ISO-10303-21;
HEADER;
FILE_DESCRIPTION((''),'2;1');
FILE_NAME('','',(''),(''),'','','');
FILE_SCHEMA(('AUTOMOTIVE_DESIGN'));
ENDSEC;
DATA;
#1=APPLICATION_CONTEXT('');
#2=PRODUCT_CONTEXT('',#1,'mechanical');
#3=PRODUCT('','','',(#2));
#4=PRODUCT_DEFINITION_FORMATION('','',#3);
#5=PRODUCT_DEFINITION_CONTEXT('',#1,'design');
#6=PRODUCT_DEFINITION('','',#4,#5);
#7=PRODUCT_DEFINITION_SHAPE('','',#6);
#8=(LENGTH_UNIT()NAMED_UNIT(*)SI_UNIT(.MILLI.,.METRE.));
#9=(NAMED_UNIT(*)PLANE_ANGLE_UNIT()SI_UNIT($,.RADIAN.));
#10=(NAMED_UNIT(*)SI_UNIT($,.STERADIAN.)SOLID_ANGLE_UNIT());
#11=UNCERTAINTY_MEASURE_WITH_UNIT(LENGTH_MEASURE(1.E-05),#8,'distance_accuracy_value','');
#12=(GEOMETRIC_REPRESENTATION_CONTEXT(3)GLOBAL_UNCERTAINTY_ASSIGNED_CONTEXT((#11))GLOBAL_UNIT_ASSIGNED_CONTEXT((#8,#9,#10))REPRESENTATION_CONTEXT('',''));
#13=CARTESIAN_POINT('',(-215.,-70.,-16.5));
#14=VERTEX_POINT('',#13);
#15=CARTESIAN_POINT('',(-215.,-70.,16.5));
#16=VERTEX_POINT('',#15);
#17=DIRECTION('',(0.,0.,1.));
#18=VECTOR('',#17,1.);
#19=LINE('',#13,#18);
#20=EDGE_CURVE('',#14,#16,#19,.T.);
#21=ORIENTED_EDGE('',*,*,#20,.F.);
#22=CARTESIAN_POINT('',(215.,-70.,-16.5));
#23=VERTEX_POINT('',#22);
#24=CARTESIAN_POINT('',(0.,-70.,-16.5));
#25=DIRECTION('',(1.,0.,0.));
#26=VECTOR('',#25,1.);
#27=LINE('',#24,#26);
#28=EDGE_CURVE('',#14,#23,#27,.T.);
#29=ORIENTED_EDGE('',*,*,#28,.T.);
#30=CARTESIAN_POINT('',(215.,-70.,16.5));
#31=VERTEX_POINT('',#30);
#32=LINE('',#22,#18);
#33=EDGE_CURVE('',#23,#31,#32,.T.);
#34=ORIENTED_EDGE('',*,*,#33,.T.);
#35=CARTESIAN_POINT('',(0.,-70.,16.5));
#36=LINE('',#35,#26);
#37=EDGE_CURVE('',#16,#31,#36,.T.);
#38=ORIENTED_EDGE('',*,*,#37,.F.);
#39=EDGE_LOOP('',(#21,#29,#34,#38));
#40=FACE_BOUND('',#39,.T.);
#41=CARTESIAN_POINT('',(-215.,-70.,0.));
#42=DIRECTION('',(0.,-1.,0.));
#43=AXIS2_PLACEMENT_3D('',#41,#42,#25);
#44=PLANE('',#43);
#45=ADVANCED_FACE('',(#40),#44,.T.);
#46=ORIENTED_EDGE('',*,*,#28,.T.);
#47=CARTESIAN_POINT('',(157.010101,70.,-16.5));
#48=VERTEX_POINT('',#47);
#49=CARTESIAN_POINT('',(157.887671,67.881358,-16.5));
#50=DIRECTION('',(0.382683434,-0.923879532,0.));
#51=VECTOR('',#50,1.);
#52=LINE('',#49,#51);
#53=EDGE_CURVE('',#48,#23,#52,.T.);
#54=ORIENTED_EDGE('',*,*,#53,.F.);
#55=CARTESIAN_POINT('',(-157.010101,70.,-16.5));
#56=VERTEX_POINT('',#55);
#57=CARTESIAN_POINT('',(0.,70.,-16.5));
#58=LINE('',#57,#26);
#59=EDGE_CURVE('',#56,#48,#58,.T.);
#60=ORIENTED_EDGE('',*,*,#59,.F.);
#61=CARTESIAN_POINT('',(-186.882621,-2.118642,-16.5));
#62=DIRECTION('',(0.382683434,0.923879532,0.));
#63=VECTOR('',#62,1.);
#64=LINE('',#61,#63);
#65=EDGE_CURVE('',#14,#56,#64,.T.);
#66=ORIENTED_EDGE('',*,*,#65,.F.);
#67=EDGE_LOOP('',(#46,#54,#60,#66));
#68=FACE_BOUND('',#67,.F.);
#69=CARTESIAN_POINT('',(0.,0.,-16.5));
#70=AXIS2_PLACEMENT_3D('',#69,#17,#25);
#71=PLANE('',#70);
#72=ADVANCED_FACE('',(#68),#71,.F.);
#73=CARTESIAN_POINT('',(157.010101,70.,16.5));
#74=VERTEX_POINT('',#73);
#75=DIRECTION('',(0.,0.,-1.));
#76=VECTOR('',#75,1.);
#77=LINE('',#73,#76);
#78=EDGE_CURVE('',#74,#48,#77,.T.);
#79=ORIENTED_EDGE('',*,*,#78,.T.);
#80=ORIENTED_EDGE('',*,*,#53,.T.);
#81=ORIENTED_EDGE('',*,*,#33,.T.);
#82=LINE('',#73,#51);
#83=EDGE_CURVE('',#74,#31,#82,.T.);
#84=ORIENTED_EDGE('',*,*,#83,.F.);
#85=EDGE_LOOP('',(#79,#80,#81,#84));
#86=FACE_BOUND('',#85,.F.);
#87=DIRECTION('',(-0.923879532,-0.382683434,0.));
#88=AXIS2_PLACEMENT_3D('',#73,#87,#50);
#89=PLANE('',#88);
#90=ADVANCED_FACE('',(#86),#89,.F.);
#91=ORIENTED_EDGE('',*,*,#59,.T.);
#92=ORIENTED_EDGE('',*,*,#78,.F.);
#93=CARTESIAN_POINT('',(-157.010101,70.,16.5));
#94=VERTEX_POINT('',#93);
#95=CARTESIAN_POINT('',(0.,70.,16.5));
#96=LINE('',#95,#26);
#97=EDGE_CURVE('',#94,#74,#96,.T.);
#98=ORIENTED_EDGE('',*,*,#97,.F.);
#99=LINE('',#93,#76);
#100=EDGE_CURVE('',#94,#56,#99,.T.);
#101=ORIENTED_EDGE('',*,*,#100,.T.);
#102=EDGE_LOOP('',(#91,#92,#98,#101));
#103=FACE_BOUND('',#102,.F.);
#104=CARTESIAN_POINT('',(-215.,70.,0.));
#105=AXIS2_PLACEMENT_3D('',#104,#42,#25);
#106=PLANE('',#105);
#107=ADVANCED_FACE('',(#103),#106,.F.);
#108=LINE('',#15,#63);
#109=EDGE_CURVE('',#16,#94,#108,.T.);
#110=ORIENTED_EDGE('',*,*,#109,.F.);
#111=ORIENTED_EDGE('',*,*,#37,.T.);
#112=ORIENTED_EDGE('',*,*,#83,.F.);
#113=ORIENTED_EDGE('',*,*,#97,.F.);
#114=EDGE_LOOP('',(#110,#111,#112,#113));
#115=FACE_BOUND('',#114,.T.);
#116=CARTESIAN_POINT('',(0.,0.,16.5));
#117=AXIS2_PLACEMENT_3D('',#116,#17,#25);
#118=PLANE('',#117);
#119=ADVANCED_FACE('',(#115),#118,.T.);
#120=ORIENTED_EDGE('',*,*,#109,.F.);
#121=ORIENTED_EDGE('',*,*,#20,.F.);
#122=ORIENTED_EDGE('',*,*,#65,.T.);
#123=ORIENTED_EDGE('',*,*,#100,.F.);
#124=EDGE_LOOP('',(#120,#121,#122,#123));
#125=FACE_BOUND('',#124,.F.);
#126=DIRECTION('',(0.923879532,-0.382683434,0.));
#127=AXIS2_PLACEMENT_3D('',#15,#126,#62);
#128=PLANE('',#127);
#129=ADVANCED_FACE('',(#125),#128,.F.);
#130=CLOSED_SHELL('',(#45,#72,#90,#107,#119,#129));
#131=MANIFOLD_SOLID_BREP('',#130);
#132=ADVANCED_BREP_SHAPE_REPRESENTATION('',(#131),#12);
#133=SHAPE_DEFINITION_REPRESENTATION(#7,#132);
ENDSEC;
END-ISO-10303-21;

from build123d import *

# Parameters (mm, degrees)
F0_W     = 430
F0_H     = 140
F1_DEPTH = 16.5
F3_DEPTH = 33.001


with BuildPart() as f1:
    # F0 (on Top) → F1 (new body, symmetric)
    with BuildSketch(Plane.XY):
        Rectangle(F0_W, F0_H)
    extrude(amount=F1_DEPTH, both=True)

    # F2 (on face) → F3 (cut, through all)
    with BuildSketch(Plane.XY.offset(16.5)):
        Polygon((-215, 70), (-215, -70), (-157.010101, 70), align=None)
        Polygon((215, -70), (215, 70), (157.010101, 70), align=None)
    extrude(amount=-F3_DEPTH, mode=Mode.SUBTRACT)


solid = f1.part
